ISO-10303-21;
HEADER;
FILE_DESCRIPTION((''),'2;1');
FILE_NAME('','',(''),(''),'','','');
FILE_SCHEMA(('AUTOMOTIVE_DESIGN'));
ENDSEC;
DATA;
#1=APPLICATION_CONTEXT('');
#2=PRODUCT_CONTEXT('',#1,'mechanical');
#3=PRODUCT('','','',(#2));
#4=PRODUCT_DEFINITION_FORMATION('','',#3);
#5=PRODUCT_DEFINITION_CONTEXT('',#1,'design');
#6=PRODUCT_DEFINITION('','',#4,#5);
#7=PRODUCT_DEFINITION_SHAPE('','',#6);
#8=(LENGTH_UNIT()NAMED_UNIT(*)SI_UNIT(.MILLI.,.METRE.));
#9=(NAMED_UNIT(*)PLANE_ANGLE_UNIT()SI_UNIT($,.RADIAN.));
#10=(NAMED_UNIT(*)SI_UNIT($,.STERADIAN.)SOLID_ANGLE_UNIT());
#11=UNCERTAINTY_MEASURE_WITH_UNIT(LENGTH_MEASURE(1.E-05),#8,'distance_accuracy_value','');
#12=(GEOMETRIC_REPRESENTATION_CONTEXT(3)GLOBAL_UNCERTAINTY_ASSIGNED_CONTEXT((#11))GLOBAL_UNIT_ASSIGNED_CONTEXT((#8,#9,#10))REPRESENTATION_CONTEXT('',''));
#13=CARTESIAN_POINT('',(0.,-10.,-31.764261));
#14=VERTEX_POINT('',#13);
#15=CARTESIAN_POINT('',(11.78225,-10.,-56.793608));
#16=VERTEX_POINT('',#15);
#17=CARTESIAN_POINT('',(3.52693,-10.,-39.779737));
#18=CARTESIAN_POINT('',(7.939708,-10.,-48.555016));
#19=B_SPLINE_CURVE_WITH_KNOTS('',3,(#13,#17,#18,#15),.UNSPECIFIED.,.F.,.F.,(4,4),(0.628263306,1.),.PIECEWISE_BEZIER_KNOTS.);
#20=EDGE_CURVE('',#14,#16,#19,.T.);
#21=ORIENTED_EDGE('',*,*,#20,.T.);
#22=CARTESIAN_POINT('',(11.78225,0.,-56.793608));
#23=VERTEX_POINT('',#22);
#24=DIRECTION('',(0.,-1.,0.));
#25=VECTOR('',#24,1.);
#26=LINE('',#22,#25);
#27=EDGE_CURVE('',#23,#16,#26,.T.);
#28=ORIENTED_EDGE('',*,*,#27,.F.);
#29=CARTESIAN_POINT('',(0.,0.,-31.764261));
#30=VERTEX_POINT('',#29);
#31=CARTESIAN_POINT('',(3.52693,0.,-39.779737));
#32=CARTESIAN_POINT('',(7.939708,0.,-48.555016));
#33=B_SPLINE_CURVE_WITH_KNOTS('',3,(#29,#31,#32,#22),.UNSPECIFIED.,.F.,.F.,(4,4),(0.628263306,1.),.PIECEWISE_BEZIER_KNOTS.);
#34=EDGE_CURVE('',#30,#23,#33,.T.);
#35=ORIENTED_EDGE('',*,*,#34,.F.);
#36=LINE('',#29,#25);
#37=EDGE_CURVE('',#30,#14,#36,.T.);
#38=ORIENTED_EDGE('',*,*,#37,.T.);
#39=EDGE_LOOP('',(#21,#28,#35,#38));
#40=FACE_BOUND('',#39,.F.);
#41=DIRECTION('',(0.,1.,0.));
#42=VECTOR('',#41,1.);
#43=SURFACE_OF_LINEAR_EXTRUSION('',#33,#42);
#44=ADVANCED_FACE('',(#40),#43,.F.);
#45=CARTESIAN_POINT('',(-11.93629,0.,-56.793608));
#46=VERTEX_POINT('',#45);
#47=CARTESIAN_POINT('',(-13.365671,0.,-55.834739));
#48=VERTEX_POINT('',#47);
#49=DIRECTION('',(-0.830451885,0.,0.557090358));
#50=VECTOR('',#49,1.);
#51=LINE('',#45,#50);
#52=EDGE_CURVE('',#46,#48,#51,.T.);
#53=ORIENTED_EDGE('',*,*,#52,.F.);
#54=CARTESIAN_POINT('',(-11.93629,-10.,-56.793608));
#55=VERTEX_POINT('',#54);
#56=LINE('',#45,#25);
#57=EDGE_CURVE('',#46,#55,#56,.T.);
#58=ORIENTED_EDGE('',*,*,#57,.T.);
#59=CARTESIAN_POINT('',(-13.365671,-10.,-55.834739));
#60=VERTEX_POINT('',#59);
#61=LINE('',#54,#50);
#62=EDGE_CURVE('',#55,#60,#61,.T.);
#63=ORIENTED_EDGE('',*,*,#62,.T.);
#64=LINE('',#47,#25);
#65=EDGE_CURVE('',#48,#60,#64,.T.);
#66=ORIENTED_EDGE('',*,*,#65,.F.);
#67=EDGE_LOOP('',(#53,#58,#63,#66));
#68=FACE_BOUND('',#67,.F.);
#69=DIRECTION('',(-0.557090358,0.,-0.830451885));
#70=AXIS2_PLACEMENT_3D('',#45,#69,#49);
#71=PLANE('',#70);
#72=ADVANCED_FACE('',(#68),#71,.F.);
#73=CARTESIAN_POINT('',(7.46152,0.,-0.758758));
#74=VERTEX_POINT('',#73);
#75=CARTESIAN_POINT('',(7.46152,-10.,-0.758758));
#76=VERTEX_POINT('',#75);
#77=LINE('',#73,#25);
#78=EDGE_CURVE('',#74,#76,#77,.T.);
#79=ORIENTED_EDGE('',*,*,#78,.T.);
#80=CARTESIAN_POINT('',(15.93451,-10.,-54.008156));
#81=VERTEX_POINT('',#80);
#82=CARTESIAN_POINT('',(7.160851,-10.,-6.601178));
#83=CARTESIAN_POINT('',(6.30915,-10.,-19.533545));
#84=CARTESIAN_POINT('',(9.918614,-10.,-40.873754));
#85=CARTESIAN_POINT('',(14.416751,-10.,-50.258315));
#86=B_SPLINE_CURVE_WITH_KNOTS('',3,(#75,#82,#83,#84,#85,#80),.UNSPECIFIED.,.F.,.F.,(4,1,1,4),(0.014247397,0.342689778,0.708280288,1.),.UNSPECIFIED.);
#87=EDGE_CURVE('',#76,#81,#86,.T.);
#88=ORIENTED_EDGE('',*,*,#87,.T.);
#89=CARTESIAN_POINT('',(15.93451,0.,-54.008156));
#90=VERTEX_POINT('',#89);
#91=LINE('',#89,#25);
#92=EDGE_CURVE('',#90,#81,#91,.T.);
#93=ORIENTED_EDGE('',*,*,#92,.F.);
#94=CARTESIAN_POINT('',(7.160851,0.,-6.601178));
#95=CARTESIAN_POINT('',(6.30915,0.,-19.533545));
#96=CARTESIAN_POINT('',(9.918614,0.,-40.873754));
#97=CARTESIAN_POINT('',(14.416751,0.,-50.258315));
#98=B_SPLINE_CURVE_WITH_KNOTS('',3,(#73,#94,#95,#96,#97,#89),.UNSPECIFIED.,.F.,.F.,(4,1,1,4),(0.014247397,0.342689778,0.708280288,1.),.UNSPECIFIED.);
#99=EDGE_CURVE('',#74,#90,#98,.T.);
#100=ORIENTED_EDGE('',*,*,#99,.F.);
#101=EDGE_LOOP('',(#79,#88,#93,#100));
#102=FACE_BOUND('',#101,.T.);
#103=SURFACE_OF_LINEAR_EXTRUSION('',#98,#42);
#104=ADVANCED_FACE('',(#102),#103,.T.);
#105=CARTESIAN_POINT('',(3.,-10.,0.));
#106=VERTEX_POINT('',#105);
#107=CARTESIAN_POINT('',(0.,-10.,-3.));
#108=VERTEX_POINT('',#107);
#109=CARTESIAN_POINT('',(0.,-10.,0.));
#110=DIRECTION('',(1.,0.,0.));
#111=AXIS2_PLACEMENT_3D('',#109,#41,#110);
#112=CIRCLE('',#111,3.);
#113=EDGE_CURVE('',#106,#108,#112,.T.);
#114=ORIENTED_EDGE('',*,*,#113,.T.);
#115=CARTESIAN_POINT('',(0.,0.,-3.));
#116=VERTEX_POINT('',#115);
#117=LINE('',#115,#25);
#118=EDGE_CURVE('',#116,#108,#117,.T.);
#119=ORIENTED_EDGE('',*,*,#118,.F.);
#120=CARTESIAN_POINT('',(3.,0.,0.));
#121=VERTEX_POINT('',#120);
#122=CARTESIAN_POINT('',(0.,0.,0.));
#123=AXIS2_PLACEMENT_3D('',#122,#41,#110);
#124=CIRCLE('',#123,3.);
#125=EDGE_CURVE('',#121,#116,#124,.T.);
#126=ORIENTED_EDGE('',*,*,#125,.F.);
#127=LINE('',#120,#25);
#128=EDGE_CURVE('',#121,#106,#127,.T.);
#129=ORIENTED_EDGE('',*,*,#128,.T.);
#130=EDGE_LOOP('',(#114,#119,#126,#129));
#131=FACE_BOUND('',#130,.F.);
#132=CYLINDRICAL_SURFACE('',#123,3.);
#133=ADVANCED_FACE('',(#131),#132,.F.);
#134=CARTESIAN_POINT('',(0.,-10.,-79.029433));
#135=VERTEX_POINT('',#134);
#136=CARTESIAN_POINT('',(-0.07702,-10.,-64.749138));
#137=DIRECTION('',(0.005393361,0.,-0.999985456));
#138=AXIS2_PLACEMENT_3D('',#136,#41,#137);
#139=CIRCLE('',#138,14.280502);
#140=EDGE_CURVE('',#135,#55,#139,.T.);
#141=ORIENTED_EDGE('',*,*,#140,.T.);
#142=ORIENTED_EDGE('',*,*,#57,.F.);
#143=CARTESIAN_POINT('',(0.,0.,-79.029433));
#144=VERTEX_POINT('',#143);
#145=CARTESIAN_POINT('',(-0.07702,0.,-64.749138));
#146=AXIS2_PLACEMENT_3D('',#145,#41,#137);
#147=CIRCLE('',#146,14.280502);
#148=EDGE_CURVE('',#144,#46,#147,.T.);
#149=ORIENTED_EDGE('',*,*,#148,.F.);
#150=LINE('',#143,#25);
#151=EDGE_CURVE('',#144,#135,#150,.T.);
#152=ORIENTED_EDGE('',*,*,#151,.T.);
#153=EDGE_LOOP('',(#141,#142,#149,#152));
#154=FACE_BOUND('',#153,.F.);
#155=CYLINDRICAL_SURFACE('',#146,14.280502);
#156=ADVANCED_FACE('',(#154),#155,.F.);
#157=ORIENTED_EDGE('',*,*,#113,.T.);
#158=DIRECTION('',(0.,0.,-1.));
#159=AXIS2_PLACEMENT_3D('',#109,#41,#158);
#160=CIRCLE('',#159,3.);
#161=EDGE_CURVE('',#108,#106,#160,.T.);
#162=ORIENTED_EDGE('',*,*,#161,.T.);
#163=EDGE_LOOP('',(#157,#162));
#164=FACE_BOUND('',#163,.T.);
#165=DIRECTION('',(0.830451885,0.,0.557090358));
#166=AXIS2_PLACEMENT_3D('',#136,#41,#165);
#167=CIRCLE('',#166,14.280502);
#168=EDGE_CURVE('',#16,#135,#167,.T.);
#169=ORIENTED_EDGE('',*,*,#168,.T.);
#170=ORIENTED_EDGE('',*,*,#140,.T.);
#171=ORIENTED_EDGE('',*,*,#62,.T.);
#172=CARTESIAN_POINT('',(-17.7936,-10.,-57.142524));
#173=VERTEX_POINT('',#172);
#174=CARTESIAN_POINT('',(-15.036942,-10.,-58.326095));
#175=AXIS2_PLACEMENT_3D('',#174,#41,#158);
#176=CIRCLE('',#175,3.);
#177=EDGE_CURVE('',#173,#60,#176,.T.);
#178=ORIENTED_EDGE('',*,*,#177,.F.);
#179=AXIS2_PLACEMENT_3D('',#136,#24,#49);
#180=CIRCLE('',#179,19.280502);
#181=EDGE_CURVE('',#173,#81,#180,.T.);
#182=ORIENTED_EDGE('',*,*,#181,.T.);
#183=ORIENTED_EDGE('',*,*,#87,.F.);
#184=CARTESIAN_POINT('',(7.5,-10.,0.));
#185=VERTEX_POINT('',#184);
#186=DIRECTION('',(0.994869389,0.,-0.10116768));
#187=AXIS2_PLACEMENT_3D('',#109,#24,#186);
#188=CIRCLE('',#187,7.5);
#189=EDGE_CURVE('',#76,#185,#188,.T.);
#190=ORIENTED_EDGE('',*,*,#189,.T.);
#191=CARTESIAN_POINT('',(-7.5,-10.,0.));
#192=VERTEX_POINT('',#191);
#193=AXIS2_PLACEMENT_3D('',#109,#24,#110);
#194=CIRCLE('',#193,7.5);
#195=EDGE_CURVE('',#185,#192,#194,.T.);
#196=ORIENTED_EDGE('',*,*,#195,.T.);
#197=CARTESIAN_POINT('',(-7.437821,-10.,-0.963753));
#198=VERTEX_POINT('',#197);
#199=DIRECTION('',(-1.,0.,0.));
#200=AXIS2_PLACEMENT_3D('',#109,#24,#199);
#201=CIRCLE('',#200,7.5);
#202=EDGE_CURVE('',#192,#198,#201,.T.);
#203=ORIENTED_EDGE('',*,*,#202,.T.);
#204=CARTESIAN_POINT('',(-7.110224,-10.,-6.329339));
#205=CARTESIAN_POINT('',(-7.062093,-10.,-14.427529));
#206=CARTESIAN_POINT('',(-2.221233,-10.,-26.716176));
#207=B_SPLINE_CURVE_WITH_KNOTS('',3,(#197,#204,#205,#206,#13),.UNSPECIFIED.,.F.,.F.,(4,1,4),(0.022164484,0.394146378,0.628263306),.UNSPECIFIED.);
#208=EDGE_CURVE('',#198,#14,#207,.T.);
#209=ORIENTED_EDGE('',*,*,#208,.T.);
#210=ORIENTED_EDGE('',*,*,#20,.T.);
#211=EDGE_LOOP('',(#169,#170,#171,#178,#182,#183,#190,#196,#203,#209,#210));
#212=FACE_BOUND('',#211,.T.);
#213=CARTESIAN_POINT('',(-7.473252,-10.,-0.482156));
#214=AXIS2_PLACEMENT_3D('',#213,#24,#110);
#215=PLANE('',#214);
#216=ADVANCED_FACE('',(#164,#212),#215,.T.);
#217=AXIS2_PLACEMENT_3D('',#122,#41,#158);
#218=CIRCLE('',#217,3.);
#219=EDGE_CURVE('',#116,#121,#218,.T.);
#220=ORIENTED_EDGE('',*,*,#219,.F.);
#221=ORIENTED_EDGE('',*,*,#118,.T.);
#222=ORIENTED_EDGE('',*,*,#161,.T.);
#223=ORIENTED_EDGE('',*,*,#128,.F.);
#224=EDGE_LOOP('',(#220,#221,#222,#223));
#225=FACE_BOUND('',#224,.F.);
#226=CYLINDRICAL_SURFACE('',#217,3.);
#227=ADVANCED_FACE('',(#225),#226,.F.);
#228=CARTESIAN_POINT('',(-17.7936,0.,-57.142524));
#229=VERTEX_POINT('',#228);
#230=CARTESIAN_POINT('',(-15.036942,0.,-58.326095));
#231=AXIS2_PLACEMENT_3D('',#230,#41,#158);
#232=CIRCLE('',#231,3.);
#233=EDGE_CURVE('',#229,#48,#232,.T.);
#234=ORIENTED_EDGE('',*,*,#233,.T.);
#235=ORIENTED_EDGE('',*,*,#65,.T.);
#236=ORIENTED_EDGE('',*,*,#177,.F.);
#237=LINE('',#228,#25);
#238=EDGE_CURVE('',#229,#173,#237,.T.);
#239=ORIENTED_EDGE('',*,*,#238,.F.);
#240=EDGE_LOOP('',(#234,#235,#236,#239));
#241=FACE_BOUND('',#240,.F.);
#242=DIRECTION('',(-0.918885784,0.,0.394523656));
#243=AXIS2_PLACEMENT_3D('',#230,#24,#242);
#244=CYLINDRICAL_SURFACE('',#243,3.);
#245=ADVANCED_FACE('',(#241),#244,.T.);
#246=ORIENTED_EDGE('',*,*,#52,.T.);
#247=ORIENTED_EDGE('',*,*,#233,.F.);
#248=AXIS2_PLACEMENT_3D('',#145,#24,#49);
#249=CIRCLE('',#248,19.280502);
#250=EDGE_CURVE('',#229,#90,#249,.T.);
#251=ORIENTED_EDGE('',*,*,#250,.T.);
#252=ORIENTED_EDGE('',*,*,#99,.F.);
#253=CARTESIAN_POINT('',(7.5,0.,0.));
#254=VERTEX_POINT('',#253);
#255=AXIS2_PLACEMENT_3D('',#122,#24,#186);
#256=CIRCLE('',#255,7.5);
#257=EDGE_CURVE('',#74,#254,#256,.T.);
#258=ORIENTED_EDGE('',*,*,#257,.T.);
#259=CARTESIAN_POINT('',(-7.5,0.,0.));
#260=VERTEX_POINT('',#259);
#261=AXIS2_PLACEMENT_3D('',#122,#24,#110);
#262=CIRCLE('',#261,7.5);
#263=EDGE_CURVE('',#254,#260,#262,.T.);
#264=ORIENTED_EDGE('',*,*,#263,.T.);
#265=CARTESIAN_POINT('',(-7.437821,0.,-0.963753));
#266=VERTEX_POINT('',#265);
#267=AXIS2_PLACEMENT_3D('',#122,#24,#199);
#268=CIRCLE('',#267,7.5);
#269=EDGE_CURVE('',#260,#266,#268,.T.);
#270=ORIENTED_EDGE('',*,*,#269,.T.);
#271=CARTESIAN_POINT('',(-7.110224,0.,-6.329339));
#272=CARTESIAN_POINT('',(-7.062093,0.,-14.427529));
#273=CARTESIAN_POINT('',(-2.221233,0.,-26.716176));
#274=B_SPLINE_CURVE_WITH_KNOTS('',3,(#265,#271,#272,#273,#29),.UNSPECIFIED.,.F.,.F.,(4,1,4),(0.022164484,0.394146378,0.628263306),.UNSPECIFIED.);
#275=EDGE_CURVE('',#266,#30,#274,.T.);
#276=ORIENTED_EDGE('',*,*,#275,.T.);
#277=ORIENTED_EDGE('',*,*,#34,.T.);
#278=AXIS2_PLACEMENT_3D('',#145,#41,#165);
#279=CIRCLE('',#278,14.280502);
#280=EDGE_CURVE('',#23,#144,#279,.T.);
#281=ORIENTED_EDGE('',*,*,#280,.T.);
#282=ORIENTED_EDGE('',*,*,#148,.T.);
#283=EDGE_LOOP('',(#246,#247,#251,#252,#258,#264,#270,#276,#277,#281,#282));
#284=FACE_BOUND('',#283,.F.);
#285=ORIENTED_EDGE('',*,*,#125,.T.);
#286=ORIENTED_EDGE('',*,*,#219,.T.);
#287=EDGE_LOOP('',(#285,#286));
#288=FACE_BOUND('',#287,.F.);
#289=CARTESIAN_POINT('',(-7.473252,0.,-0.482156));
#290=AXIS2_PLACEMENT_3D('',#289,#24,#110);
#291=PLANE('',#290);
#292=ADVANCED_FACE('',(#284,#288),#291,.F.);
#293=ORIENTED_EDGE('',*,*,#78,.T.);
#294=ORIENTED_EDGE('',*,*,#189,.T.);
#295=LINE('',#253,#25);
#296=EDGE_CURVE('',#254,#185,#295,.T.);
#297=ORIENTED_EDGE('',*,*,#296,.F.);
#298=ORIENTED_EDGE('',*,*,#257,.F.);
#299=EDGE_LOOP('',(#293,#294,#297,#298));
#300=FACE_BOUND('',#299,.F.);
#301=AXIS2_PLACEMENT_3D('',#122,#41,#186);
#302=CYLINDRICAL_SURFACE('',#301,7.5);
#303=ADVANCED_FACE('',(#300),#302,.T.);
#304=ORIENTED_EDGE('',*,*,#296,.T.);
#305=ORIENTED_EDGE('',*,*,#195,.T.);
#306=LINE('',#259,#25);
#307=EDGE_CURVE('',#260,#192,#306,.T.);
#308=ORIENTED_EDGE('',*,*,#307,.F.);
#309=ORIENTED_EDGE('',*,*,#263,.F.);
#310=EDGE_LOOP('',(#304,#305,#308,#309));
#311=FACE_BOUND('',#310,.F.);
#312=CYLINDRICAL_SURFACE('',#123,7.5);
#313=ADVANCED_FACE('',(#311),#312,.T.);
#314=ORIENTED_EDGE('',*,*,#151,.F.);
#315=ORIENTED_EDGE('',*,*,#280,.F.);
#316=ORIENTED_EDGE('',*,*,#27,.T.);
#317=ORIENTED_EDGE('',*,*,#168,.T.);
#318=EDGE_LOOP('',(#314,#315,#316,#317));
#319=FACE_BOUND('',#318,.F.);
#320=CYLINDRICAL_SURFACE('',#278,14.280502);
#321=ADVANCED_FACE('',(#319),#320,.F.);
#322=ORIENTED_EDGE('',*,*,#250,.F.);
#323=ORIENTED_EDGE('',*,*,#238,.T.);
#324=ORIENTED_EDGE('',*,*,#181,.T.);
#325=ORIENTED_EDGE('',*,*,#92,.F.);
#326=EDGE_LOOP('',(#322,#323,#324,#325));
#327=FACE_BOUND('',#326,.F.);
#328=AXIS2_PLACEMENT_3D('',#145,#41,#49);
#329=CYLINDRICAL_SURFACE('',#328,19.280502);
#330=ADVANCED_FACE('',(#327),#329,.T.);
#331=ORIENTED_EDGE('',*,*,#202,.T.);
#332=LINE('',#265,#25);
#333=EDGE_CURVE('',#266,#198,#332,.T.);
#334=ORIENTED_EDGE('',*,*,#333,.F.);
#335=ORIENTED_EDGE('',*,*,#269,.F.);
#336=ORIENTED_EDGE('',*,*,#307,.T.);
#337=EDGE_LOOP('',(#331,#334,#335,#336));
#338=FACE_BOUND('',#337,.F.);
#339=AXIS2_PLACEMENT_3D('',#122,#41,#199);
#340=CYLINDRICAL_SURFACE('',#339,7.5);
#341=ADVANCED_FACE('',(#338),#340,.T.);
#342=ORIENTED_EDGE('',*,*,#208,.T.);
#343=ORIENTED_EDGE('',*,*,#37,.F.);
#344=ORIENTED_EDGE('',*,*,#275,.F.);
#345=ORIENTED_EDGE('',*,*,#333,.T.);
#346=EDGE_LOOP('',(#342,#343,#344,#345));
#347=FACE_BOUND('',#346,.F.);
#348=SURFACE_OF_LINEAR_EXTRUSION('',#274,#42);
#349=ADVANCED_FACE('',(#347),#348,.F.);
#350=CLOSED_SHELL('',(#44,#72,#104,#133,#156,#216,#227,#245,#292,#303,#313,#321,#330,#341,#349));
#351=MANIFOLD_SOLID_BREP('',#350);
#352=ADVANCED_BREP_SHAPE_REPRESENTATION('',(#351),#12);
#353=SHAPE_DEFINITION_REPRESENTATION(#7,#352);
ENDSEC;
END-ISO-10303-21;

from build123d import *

# Parameters (mm, degrees)
F1_DEPTH = 10
F2_R     = 3


with BuildPart() as f1:
    # F0 (on Front) → F1 (new body)
    with BuildSketch(Plane.XZ):
        with BuildLine():
            ThreePointArc((-7.5, 0), (-7.4844390987, -0.4828782219), (-7.4378209661, -0.963752705))
            add(Edge.make_bspline(
                [(-7.5, 0), (-7.4779188117, -0.3229333494), (-7.4573407841, -0.6440450617), (-7.4378209661, -0.963752705)],
                knots=[0, 0, 0, 0, 0.0221644836, 0.0221644836, 0.0221644836, 0.0221644836], degree=3))
        make_face()
        with BuildLine():
            add(Edge.make_bspline(
                [(7.5, 0), (7.4874130563, -0.2524071136), (7.4745630671, -0.5053211172), (7.4615204152, -0.7587575985)],
                knots=[0, 0, 0, 0, 0.0142473975, 0.0142473975, 0.0142473975, 0.0142473975], degree=3))
            ThreePointArc((7.4615204152, -0.7587575985), (7.4903739264, -0.3798663488), (7.5, 0))
        make_face()
        with BuildLine():
            Line((0, -31.7642609555), (0, -7.5))
            ThreePointArc((0, -7.5), (-4.9508511749, -5.6337441053), (-7.4378209661, -0.963752705))
            add(Edge.make_bspline(
                [(-7.4378209661, -0.963752705), (-7.1102239411, -6.3293392533), (-7.0620929623, -14.4275290561), (-2.2212334754, -26.7161756827), (0, -31.7642609555)],
                knots=[0.0221644836, 0.0221644836, 0.0221644836, 0.0221644836, 0.3941463784, 0.6282633059, 0.6282633059, 0.6282633059, 0.6282633059], degree=3))
        make_face()
        with BuildLine():
            ThreePointArc((7.4615204152, -0.7587575985), (5.0278881258, -5.5651002681), (0, -7.5))
            Line((0, -7.5), (0, -31.7642609555))
            add(Edge.make_bspline(
                [(0, -31.7642609555), (3.5269298881, -39.7797366017), (7.9397083955, -48.555015795), (11.7822502878, -56.7936077714)],
                knots=[0.6282633059, 0.6282633059, 0.6282633059, 0.6282633059, 1, 1, 1, 1], degree=3))
            ThreePointArc((11.7822502878, -56.7936077714), (12.5414876884, -71.4353938492), (0, -79.029432797))
            ThreePointArc((0, -79.029432797), (-12.6592825895, -71.5033527746), (-11.9362901103, -56.7936077714))
            Line((-11.9362901103, -56.7936077714), (-16.0885495334, -54.0081559799))
            ThreePointArc((-16.0885495334, -54.0081559799), (-0.0770199113, -84.0296404967), (15.9345097109, -54.0081559799))
            add(Edge.make_bspline(
                [(7.4615204152, -0.7587575985), (7.1608507936, -6.601177653), (6.3091502692, -19.5335452459), (9.9186136226, -40.8737537897), (14.4167509174, -50.258314563), (15.9345097109, -54.0081559799)],
                knots=[0.0142473975, 0.0142473975, 0.0142473975, 0.0142473975, 0.3426897776, 0.7082802878, 1, 1, 1, 1], degree=3))
        make_face()
        with BuildLine():
            ThreePointArc((-7.4378209661, -0.963752705), (-4.9508511749, -5.6337441053), (0, -7.5))
            ThreePointArc((0, -7.5), (5.0278881258, -5.5651002681), (7.4615204152, -0.7587575985))
            add(Edge.make_bspline(
                [(7.5, 0), (7.4874130563, -0.2524071136), (7.4745630671, -0.5053211172), (7.4615204152, -0.7587575985)],
                knots=[0, 0, 0, 0, 0.0142473975, 0.0142473975, 0.0142473975, 0.0142473975], degree=3))
            ThreePointArc((7.5, 0), (0, 7.5), (-7.5, 0))
            add(Edge.make_bspline(
                [(-7.5, 0), (-7.4779188117, -0.3229333494), (-7.4573407841, -0.6440450617), (-7.4378209661, -0.963752705)],
                knots=[0, 0, 0, 0, 0.0221644836, 0.0221644836, 0.0221644836, 0.0221644836], degree=3))
        make_face()
        with BuildLine():
            ThreePointArc((0, -3), (-2.1213203436, 2.1213203436), (3, 0))
            ThreePointArc((3, 0), (2.1213203436, -2.1213203436), (0, -3))
        make_face(mode=Mode.SUBTRACT)
    extrude(amount=F1_DEPTH)

    # F2
    f2_edges = [f1.edges().sort_by_distance(p)[0] for p in [
        (-16.08855, -5, -54.008156),
    ]]
    fillet(f2_edges, radius=F2_R)


solid = f1.part
